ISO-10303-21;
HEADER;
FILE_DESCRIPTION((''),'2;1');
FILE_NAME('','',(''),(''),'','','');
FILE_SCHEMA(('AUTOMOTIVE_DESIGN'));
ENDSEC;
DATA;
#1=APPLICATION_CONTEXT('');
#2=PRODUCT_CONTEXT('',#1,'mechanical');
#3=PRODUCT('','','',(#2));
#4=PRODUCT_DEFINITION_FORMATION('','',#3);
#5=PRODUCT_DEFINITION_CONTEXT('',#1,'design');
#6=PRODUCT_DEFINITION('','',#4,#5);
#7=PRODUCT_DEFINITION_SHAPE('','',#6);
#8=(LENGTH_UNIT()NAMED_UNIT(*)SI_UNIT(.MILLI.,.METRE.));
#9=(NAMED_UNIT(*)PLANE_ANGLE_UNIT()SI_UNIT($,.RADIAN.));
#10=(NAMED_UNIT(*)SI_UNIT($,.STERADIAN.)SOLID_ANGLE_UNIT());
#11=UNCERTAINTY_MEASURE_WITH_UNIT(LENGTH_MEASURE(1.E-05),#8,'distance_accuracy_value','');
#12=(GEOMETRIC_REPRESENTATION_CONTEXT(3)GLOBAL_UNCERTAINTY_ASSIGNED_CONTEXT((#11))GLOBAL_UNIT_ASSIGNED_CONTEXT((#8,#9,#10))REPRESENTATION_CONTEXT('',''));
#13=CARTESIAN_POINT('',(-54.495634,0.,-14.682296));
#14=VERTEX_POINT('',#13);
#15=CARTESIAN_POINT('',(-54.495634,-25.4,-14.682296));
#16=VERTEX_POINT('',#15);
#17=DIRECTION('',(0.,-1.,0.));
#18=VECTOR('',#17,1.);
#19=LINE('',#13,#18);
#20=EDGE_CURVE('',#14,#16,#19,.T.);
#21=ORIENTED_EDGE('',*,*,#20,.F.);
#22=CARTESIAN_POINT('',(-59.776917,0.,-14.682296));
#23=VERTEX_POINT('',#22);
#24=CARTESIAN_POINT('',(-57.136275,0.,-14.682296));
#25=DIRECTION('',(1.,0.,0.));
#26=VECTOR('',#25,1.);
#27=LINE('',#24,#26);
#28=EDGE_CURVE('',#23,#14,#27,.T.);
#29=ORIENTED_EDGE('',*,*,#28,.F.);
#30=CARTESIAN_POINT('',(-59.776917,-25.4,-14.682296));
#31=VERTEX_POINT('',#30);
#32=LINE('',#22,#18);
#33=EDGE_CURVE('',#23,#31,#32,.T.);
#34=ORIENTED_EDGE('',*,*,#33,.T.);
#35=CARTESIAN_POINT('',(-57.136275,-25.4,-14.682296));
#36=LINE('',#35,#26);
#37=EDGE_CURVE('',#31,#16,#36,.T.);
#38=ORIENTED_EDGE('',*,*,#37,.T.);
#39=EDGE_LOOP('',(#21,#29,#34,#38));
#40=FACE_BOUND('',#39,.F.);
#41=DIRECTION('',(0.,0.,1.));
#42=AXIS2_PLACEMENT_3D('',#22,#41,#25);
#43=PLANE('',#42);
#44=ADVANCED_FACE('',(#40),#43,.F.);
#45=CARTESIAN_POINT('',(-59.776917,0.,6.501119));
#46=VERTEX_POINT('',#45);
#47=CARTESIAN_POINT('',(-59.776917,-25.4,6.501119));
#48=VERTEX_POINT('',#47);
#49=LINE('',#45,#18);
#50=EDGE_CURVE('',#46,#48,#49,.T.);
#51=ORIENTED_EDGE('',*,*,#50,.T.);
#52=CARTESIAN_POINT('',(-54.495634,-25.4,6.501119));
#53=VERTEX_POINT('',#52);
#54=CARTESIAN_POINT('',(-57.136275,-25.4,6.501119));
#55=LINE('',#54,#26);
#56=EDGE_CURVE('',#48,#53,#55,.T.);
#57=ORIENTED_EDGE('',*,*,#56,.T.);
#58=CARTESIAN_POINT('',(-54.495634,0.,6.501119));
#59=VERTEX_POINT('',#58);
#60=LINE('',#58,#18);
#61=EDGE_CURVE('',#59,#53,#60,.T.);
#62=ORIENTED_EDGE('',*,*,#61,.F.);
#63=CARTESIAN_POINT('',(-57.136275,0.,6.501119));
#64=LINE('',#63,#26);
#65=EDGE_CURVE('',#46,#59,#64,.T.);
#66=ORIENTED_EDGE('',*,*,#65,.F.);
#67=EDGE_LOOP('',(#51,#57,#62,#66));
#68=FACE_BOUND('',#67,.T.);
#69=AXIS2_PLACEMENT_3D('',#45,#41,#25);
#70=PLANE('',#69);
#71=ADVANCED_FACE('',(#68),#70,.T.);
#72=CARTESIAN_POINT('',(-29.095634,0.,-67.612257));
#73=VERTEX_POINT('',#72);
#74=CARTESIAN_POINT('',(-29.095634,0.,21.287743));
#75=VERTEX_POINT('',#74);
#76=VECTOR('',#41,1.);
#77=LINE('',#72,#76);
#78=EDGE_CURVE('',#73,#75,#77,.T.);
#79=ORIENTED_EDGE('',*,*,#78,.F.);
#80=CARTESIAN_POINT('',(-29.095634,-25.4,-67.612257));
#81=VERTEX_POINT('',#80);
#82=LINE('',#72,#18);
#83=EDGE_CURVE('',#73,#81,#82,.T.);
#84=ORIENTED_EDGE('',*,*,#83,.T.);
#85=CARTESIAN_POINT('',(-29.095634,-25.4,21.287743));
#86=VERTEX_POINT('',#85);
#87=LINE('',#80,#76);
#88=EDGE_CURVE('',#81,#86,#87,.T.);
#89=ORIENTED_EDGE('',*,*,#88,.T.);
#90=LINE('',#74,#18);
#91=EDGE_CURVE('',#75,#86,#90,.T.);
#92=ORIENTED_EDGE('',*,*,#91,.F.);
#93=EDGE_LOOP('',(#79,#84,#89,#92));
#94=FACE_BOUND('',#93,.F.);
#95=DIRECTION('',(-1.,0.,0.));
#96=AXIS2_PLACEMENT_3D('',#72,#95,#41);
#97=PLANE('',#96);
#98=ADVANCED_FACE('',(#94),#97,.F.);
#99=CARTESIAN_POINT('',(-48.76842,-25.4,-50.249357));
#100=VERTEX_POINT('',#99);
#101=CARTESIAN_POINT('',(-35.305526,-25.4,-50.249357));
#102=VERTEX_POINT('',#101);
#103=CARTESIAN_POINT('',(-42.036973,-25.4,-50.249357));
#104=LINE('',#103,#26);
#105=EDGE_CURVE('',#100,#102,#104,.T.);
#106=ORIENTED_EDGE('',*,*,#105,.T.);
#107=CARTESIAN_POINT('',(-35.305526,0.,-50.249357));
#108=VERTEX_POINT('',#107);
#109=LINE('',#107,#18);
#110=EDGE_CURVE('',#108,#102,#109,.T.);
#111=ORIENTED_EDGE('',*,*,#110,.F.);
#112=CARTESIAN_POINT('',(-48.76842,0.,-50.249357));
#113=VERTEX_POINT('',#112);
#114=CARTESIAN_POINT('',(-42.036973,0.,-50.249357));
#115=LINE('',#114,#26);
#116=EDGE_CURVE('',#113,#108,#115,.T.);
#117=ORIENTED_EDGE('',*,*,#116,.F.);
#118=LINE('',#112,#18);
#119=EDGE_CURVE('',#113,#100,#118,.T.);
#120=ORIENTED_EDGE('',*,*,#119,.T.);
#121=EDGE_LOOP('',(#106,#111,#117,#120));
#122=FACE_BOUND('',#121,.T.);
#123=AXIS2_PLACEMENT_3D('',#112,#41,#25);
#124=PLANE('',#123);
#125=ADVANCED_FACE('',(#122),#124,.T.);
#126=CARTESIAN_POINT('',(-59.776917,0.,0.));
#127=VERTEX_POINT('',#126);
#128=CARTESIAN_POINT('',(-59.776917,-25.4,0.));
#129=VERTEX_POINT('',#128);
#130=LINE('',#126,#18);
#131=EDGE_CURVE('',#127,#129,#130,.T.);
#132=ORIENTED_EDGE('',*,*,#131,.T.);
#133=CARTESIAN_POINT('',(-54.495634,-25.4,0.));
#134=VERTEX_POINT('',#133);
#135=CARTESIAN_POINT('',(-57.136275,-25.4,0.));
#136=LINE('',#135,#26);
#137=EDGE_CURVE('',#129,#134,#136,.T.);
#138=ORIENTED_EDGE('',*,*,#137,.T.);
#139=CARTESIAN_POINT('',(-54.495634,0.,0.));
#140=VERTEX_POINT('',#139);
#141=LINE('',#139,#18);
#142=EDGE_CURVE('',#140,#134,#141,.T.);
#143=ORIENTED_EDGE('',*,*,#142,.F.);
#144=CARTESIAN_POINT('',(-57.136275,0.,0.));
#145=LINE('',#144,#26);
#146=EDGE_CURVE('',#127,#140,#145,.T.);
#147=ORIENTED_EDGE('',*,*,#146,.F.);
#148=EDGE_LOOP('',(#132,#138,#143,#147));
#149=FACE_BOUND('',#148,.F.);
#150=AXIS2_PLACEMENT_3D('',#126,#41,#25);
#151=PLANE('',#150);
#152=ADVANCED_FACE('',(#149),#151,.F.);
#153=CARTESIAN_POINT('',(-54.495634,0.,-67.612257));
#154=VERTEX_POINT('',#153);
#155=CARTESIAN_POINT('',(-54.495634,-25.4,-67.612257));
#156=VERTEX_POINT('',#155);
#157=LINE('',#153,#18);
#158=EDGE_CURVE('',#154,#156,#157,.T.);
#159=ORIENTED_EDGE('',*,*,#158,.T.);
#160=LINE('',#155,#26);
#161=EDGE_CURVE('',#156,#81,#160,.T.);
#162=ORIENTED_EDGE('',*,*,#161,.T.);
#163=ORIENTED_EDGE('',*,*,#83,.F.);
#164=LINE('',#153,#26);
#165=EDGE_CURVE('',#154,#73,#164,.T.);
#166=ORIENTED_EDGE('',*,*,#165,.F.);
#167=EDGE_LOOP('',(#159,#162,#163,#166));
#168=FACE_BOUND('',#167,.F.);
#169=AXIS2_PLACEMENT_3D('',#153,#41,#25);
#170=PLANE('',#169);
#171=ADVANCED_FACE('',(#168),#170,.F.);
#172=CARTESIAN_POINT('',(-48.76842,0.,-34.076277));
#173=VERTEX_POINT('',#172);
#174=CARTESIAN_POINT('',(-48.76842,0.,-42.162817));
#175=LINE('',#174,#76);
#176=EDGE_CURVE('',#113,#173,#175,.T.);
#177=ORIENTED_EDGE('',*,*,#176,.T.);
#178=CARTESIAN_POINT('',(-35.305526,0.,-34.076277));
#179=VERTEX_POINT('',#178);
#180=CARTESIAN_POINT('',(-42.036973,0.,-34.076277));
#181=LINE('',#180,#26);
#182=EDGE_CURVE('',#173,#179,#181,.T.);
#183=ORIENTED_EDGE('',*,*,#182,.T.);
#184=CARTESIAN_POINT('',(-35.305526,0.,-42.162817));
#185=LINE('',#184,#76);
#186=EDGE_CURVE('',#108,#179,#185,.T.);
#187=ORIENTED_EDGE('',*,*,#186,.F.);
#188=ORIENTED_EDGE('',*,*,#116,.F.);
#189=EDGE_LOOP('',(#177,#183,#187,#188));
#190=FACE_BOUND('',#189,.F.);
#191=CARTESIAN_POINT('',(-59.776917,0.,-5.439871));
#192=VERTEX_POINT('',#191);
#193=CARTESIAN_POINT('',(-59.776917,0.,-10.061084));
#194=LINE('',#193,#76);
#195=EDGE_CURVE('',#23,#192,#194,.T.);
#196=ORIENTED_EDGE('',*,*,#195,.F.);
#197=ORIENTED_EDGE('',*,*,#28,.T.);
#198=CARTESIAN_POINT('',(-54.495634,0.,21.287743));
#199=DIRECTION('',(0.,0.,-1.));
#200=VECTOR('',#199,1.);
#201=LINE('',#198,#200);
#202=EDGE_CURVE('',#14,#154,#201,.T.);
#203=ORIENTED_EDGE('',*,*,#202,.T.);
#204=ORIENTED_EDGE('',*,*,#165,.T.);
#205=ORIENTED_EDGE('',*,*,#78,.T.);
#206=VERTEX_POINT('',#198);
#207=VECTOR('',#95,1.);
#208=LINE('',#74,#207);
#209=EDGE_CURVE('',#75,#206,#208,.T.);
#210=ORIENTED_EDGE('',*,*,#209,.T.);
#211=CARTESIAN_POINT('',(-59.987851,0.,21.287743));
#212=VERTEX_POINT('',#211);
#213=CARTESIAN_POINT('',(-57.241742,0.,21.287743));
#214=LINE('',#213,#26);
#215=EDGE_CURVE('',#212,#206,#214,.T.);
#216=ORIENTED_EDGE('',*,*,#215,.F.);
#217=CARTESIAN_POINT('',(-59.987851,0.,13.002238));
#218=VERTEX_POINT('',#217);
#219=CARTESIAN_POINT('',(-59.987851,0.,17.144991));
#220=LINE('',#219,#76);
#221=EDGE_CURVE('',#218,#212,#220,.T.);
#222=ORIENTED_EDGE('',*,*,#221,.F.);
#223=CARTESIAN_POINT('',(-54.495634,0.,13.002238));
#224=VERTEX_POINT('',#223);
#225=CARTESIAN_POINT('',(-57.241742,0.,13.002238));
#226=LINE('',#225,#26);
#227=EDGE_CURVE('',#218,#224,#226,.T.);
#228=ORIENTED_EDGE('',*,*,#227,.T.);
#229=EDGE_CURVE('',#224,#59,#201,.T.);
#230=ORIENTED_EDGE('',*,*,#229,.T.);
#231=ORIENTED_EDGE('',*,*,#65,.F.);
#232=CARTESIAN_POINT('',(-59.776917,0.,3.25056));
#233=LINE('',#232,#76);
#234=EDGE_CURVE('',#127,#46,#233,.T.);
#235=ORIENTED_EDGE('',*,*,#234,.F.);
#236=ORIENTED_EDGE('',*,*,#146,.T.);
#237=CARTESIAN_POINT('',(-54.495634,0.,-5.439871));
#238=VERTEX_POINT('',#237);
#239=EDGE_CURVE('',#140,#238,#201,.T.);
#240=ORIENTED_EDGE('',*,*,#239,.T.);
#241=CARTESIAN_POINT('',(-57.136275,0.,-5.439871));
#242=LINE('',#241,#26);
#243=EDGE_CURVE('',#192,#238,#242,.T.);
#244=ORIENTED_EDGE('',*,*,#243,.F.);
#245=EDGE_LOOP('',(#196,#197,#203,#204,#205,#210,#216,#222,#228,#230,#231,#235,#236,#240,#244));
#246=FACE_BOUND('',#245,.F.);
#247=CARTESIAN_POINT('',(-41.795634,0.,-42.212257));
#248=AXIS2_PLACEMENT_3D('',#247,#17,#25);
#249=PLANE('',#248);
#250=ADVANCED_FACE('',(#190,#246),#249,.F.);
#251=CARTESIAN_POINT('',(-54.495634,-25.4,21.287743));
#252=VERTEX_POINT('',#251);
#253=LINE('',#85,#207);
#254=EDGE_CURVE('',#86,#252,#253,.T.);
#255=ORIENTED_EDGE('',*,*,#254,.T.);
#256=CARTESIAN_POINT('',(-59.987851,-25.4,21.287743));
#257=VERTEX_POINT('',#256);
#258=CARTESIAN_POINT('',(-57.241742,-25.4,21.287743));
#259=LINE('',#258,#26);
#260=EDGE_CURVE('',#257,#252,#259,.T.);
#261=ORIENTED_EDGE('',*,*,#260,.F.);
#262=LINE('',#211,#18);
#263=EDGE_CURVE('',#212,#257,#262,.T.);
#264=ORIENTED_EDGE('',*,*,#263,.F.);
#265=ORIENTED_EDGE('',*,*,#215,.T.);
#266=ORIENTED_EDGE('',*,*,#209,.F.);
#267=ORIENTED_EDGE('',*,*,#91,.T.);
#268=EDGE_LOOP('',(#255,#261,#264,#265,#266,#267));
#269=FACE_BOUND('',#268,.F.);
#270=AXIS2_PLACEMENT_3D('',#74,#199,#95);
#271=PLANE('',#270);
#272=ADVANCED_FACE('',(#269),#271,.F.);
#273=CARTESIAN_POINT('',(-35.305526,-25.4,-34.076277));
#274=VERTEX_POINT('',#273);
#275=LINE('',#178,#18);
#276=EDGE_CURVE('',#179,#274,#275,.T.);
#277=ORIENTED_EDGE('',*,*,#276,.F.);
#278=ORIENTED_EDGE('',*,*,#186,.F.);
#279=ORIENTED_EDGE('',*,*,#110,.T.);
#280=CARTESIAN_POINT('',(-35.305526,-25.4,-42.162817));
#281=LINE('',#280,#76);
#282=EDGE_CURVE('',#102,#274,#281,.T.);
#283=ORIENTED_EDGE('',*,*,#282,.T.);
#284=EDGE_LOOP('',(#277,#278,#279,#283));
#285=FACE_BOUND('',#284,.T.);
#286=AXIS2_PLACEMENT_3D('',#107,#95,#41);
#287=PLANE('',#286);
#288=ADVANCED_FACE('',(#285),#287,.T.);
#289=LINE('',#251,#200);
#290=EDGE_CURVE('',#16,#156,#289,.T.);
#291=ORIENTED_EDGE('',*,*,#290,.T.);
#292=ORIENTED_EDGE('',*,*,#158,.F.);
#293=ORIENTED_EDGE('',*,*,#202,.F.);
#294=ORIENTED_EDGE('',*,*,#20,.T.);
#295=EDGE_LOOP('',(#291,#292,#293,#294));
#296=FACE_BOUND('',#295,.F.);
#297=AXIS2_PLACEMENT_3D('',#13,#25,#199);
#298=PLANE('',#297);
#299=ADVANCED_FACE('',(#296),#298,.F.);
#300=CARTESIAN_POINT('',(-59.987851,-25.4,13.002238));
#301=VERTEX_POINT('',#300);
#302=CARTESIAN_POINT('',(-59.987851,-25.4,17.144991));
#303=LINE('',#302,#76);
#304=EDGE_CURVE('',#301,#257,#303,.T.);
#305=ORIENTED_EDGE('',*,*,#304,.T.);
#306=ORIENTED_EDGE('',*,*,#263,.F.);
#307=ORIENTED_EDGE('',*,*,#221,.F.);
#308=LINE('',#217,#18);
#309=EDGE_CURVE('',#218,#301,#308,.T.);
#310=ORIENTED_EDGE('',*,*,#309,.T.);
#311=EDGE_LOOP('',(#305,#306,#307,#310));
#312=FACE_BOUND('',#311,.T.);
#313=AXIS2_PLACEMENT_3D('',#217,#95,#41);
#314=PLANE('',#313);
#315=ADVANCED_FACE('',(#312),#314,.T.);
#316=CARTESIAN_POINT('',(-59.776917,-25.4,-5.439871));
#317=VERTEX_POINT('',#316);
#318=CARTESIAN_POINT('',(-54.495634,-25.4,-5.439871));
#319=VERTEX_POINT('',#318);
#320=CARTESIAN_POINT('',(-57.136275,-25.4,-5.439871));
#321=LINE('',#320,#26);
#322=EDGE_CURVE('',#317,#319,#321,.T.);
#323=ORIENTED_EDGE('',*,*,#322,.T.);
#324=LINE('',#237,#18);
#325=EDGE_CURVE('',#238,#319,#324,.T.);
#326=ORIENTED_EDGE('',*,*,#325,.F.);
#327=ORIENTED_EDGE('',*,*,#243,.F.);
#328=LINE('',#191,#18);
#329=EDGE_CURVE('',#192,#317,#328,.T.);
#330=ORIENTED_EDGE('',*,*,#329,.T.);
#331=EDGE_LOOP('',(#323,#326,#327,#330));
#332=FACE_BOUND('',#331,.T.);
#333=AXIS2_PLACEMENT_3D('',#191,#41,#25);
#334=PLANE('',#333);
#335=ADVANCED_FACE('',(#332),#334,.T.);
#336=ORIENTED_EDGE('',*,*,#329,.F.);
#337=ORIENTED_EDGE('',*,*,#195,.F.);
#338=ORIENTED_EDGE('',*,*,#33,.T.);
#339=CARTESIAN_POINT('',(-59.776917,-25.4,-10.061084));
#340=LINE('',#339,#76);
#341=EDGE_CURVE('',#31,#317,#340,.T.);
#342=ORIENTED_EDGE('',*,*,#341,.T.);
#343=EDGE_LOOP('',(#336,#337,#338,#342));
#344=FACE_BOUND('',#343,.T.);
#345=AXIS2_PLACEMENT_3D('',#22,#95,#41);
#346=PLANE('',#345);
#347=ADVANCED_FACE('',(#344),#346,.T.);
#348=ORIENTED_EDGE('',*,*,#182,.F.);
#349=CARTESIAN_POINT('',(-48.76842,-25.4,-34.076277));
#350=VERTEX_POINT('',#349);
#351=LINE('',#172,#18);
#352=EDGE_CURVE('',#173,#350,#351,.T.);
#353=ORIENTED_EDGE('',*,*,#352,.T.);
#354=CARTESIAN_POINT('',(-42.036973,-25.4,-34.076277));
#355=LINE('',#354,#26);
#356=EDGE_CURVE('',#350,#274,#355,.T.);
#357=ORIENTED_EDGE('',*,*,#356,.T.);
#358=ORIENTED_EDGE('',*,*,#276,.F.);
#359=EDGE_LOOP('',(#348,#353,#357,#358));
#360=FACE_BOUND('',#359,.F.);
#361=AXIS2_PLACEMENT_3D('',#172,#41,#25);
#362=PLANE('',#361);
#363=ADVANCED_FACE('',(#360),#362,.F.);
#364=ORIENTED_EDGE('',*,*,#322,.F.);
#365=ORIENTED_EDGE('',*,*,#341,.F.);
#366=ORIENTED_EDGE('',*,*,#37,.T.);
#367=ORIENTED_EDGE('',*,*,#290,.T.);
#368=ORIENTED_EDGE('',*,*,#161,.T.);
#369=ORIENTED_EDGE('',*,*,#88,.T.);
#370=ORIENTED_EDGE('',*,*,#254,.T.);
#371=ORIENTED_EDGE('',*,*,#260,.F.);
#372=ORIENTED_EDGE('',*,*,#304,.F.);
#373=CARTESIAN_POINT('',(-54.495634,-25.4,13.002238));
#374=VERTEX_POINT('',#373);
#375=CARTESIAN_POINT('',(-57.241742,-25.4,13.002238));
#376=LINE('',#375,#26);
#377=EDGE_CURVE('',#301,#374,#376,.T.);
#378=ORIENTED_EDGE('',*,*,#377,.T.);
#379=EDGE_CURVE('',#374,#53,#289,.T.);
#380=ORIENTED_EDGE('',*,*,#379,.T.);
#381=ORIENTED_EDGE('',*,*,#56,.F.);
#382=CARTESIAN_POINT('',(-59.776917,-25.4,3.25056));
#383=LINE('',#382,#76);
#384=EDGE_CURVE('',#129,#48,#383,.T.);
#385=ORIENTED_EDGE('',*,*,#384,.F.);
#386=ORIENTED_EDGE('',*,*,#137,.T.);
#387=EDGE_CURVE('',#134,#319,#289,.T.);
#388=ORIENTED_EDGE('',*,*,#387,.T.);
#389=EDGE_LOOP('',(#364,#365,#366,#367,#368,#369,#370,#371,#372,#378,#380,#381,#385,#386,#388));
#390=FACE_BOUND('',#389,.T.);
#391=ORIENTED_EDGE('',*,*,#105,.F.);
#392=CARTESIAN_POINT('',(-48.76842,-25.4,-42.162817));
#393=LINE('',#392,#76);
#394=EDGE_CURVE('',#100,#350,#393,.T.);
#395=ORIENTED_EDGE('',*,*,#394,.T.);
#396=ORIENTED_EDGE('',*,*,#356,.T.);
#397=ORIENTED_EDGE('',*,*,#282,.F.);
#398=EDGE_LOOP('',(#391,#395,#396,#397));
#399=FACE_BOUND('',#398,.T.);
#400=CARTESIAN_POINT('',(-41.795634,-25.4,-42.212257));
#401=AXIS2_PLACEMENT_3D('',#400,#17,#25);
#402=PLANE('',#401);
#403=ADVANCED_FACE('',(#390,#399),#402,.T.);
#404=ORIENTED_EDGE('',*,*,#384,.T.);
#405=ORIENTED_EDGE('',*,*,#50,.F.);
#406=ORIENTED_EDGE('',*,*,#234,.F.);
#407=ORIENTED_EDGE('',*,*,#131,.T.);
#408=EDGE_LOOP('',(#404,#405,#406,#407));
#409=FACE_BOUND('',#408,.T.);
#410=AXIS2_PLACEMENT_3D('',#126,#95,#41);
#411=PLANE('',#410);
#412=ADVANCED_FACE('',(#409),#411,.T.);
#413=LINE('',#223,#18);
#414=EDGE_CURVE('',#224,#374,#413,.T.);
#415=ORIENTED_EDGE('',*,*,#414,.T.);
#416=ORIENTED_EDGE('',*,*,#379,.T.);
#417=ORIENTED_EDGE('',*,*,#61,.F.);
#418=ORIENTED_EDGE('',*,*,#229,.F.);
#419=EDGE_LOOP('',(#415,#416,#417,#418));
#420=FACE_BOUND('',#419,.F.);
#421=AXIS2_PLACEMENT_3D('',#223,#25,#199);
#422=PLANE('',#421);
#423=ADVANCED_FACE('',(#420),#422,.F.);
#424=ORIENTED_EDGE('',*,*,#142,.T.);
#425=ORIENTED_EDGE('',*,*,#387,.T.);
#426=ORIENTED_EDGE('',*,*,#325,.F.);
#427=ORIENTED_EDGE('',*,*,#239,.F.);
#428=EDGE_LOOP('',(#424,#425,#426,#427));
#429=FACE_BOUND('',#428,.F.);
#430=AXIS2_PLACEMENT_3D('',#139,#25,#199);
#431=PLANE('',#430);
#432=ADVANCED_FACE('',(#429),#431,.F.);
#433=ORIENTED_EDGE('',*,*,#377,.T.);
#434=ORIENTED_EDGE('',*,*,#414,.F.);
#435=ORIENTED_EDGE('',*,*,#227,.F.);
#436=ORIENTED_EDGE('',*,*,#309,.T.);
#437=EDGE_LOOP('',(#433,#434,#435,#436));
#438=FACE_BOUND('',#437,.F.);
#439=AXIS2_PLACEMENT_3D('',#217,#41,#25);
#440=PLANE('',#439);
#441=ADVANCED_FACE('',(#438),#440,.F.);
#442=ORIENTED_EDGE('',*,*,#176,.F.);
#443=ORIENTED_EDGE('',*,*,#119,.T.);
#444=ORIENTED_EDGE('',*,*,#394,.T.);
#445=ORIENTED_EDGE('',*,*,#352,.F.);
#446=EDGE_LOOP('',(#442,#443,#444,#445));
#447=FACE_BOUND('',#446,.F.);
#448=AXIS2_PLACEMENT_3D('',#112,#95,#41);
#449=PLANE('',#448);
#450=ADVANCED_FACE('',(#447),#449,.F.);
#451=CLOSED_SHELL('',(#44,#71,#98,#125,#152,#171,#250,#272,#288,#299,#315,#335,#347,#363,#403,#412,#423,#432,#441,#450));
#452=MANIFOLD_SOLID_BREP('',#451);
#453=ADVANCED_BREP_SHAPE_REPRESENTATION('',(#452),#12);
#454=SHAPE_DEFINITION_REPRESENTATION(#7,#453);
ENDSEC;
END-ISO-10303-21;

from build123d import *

# Parameters (mm, degrees)
F0_W     = 13.4628936648
F0_H     = 16.1730796099
F0_W_2   = 5.4922168999
F0_H_2   = 8.2855048865
F0_W_3   = 5.2812833667
F0_H_3   = 6.5011191182
F0_H_4   = 9.2424242757
F1_DEPTH = 25.4


with BuildPart() as f1:
    # F0 (on Front) → F1 (new body)
    with BuildSketch(Plane.XZ):
        Polygon((-29.0956337333, -67.6122568771), (-29.0956337333, -16.8122568771), (-54.4956337333, -16.8122568771), (-54.4956337333, -23.1622568771), (-54.4956337333, -67.6122568771), align=None)
        with Locations((-42.03697294, -42.1628169715)):
            Rectangle(F0_W, F0_H, mode=Mode.SUBTRACT)
        Polygon((-29.0956337333, 21.2877431229), (-54.4956337333, 21.2877431229), (-54.4956337333, 13.0022382364), (-54.4956337333, 6.5011191182), (-54.4956337333, 0), (-54.4956337333, -5.4398714565), (-54.4956337333, -14.6822957322), (-54.4956337333, -16.8122568771), (-29.0956337333, -16.8122568771), align=None)
        with Locations((-57.2417421832, 17.1449906796)):
            Rectangle(F0_W_2, F0_H_2)
        with Locations((-57.1362754166, 3.2505595591)):
            Rectangle(F0_W_3, F0_H_3)
        with Locations((-57.1362754166, -10.0610835943)):
            Rectangle(F0_W_3, F0_H_4)
    extrude(amount=F1_DEPTH)


solid = f1.part
